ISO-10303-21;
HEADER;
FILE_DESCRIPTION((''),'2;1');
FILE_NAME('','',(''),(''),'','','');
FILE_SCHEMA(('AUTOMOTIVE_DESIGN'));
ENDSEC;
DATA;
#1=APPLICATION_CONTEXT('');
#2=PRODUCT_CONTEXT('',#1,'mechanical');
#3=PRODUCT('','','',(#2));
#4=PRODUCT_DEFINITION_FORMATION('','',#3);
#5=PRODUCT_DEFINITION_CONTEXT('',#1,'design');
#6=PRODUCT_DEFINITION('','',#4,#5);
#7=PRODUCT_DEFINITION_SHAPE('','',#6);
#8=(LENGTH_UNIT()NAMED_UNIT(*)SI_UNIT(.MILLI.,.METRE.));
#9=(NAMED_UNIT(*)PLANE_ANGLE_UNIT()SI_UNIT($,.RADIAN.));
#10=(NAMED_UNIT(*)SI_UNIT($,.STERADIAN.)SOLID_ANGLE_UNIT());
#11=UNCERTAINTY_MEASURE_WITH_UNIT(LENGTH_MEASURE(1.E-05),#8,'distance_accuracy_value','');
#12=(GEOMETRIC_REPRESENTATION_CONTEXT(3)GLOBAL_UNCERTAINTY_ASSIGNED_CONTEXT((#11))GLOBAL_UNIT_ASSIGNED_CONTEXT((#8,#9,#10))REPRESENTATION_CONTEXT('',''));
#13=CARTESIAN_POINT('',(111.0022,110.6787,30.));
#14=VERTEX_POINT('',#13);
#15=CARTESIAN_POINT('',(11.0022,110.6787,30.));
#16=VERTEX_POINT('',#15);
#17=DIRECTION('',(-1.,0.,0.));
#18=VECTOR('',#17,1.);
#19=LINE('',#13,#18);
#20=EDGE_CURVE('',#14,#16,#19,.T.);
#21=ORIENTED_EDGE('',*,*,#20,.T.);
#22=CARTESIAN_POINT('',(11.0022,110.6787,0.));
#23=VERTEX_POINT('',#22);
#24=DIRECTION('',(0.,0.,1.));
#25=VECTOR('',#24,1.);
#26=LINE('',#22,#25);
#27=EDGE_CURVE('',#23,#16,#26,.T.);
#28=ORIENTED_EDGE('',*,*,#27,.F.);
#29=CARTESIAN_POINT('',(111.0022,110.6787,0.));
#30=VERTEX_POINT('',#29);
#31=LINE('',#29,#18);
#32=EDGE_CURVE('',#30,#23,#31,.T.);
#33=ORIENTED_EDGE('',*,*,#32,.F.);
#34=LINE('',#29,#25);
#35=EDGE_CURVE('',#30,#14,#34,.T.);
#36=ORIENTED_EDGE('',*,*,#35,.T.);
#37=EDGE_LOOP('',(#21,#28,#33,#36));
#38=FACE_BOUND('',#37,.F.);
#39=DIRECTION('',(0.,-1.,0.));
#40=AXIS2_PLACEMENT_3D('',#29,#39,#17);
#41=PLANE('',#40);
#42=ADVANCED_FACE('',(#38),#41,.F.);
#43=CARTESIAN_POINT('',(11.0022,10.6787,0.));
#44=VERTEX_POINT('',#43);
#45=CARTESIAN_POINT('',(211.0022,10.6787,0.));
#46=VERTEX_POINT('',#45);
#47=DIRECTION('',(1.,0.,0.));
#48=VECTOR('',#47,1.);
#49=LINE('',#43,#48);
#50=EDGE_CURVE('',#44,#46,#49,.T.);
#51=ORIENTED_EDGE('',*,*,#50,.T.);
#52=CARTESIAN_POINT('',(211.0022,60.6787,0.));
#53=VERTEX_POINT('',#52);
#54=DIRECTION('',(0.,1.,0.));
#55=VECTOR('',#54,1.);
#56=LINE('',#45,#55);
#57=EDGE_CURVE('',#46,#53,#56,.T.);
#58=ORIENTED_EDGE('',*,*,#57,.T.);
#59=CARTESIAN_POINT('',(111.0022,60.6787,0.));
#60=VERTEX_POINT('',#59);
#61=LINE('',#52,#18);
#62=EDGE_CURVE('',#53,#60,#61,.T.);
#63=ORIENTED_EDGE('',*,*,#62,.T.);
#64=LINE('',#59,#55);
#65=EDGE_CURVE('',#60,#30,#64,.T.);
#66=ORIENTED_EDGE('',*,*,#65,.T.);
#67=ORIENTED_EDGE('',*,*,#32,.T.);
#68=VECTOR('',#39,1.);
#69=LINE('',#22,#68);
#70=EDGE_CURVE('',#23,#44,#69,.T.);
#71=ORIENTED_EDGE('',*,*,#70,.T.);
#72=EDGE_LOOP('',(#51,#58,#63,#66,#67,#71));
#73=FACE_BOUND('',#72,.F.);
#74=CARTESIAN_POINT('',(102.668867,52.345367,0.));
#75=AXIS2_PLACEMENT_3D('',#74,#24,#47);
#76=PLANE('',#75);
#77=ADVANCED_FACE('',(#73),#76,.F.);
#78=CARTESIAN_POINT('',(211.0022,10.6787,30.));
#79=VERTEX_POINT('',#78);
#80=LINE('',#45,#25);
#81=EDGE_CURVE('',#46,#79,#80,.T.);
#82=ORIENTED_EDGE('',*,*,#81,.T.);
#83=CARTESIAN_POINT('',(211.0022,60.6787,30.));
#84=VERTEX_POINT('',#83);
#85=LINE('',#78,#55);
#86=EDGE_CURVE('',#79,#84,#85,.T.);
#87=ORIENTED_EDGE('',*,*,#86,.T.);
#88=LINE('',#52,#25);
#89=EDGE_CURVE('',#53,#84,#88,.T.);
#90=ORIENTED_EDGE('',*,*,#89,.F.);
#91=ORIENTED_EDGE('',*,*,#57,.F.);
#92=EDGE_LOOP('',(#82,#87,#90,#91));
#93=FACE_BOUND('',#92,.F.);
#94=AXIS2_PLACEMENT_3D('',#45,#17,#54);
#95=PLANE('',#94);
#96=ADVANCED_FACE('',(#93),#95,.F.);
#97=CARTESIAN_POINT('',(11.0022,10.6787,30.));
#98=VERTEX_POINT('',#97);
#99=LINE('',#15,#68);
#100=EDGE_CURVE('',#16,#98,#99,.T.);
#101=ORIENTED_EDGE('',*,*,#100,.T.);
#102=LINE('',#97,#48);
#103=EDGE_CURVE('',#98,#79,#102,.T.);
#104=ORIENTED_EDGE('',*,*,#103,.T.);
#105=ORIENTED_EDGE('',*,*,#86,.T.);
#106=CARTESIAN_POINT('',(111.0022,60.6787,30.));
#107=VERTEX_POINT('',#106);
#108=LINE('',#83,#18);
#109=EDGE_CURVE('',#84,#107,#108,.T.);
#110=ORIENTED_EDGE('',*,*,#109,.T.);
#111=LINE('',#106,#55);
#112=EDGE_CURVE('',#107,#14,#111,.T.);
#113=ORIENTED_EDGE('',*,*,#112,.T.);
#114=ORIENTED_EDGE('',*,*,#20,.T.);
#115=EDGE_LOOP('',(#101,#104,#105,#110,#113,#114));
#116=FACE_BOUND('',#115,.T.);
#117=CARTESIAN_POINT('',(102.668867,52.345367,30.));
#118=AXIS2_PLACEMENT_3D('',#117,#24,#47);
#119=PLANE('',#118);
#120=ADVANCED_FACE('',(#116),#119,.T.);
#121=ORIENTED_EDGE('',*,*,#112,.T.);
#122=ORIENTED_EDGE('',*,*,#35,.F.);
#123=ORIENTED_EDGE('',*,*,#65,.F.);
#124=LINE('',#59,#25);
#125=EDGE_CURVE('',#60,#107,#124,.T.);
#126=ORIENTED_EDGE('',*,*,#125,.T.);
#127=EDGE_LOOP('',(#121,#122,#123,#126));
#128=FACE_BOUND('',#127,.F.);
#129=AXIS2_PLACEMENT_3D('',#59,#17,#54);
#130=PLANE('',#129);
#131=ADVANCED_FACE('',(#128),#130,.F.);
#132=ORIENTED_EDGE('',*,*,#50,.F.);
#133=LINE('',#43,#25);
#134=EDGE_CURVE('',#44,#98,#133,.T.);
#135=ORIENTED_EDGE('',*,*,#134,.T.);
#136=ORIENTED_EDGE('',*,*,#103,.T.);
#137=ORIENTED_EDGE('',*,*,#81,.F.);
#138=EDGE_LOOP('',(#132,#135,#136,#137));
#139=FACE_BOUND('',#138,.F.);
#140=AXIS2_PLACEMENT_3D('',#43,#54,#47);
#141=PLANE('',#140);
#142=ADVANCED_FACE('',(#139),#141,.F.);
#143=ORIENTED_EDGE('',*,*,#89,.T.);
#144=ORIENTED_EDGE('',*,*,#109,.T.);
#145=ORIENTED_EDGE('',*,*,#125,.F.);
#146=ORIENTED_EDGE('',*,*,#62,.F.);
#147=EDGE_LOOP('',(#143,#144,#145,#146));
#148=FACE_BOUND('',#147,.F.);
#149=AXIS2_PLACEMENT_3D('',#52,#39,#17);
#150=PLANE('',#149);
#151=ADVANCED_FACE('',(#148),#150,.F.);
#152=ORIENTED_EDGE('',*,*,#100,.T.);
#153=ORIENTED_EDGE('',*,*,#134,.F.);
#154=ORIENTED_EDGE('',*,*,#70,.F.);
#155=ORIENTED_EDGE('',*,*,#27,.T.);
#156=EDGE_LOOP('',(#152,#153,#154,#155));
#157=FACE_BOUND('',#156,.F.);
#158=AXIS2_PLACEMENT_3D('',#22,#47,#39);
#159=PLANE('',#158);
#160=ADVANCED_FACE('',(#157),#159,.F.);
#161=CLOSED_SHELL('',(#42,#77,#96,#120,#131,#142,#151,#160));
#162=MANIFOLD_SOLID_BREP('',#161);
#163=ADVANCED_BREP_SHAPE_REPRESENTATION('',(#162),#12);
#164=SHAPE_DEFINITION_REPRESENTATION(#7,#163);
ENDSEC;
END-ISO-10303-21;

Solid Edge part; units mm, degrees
sketch "Sketch1" plane through (0, 0, 0) normal (0, 0, 1) x (1, 0, 0)
  line L0 (11.0022, 10.6787) -> (211.0022, 10.6787)
  line L1 (211.0022, 10.6787) -> (211.0022, 60.6787)
  line L2 (211.0022, 60.6787) -> (111.0022, 60.6787)
  line L3 (111.0022, 60.6787) -> (111.0022, 110.6787)
  line L4 (111.0022, 110.6787) -> (11.0022, 110.6787)
  line L5 (11.0022, 110.6787) -> (11.0022, 10.6787)
extrude "Protrusion1" add sketch "Sketch1" along normal blind 30
